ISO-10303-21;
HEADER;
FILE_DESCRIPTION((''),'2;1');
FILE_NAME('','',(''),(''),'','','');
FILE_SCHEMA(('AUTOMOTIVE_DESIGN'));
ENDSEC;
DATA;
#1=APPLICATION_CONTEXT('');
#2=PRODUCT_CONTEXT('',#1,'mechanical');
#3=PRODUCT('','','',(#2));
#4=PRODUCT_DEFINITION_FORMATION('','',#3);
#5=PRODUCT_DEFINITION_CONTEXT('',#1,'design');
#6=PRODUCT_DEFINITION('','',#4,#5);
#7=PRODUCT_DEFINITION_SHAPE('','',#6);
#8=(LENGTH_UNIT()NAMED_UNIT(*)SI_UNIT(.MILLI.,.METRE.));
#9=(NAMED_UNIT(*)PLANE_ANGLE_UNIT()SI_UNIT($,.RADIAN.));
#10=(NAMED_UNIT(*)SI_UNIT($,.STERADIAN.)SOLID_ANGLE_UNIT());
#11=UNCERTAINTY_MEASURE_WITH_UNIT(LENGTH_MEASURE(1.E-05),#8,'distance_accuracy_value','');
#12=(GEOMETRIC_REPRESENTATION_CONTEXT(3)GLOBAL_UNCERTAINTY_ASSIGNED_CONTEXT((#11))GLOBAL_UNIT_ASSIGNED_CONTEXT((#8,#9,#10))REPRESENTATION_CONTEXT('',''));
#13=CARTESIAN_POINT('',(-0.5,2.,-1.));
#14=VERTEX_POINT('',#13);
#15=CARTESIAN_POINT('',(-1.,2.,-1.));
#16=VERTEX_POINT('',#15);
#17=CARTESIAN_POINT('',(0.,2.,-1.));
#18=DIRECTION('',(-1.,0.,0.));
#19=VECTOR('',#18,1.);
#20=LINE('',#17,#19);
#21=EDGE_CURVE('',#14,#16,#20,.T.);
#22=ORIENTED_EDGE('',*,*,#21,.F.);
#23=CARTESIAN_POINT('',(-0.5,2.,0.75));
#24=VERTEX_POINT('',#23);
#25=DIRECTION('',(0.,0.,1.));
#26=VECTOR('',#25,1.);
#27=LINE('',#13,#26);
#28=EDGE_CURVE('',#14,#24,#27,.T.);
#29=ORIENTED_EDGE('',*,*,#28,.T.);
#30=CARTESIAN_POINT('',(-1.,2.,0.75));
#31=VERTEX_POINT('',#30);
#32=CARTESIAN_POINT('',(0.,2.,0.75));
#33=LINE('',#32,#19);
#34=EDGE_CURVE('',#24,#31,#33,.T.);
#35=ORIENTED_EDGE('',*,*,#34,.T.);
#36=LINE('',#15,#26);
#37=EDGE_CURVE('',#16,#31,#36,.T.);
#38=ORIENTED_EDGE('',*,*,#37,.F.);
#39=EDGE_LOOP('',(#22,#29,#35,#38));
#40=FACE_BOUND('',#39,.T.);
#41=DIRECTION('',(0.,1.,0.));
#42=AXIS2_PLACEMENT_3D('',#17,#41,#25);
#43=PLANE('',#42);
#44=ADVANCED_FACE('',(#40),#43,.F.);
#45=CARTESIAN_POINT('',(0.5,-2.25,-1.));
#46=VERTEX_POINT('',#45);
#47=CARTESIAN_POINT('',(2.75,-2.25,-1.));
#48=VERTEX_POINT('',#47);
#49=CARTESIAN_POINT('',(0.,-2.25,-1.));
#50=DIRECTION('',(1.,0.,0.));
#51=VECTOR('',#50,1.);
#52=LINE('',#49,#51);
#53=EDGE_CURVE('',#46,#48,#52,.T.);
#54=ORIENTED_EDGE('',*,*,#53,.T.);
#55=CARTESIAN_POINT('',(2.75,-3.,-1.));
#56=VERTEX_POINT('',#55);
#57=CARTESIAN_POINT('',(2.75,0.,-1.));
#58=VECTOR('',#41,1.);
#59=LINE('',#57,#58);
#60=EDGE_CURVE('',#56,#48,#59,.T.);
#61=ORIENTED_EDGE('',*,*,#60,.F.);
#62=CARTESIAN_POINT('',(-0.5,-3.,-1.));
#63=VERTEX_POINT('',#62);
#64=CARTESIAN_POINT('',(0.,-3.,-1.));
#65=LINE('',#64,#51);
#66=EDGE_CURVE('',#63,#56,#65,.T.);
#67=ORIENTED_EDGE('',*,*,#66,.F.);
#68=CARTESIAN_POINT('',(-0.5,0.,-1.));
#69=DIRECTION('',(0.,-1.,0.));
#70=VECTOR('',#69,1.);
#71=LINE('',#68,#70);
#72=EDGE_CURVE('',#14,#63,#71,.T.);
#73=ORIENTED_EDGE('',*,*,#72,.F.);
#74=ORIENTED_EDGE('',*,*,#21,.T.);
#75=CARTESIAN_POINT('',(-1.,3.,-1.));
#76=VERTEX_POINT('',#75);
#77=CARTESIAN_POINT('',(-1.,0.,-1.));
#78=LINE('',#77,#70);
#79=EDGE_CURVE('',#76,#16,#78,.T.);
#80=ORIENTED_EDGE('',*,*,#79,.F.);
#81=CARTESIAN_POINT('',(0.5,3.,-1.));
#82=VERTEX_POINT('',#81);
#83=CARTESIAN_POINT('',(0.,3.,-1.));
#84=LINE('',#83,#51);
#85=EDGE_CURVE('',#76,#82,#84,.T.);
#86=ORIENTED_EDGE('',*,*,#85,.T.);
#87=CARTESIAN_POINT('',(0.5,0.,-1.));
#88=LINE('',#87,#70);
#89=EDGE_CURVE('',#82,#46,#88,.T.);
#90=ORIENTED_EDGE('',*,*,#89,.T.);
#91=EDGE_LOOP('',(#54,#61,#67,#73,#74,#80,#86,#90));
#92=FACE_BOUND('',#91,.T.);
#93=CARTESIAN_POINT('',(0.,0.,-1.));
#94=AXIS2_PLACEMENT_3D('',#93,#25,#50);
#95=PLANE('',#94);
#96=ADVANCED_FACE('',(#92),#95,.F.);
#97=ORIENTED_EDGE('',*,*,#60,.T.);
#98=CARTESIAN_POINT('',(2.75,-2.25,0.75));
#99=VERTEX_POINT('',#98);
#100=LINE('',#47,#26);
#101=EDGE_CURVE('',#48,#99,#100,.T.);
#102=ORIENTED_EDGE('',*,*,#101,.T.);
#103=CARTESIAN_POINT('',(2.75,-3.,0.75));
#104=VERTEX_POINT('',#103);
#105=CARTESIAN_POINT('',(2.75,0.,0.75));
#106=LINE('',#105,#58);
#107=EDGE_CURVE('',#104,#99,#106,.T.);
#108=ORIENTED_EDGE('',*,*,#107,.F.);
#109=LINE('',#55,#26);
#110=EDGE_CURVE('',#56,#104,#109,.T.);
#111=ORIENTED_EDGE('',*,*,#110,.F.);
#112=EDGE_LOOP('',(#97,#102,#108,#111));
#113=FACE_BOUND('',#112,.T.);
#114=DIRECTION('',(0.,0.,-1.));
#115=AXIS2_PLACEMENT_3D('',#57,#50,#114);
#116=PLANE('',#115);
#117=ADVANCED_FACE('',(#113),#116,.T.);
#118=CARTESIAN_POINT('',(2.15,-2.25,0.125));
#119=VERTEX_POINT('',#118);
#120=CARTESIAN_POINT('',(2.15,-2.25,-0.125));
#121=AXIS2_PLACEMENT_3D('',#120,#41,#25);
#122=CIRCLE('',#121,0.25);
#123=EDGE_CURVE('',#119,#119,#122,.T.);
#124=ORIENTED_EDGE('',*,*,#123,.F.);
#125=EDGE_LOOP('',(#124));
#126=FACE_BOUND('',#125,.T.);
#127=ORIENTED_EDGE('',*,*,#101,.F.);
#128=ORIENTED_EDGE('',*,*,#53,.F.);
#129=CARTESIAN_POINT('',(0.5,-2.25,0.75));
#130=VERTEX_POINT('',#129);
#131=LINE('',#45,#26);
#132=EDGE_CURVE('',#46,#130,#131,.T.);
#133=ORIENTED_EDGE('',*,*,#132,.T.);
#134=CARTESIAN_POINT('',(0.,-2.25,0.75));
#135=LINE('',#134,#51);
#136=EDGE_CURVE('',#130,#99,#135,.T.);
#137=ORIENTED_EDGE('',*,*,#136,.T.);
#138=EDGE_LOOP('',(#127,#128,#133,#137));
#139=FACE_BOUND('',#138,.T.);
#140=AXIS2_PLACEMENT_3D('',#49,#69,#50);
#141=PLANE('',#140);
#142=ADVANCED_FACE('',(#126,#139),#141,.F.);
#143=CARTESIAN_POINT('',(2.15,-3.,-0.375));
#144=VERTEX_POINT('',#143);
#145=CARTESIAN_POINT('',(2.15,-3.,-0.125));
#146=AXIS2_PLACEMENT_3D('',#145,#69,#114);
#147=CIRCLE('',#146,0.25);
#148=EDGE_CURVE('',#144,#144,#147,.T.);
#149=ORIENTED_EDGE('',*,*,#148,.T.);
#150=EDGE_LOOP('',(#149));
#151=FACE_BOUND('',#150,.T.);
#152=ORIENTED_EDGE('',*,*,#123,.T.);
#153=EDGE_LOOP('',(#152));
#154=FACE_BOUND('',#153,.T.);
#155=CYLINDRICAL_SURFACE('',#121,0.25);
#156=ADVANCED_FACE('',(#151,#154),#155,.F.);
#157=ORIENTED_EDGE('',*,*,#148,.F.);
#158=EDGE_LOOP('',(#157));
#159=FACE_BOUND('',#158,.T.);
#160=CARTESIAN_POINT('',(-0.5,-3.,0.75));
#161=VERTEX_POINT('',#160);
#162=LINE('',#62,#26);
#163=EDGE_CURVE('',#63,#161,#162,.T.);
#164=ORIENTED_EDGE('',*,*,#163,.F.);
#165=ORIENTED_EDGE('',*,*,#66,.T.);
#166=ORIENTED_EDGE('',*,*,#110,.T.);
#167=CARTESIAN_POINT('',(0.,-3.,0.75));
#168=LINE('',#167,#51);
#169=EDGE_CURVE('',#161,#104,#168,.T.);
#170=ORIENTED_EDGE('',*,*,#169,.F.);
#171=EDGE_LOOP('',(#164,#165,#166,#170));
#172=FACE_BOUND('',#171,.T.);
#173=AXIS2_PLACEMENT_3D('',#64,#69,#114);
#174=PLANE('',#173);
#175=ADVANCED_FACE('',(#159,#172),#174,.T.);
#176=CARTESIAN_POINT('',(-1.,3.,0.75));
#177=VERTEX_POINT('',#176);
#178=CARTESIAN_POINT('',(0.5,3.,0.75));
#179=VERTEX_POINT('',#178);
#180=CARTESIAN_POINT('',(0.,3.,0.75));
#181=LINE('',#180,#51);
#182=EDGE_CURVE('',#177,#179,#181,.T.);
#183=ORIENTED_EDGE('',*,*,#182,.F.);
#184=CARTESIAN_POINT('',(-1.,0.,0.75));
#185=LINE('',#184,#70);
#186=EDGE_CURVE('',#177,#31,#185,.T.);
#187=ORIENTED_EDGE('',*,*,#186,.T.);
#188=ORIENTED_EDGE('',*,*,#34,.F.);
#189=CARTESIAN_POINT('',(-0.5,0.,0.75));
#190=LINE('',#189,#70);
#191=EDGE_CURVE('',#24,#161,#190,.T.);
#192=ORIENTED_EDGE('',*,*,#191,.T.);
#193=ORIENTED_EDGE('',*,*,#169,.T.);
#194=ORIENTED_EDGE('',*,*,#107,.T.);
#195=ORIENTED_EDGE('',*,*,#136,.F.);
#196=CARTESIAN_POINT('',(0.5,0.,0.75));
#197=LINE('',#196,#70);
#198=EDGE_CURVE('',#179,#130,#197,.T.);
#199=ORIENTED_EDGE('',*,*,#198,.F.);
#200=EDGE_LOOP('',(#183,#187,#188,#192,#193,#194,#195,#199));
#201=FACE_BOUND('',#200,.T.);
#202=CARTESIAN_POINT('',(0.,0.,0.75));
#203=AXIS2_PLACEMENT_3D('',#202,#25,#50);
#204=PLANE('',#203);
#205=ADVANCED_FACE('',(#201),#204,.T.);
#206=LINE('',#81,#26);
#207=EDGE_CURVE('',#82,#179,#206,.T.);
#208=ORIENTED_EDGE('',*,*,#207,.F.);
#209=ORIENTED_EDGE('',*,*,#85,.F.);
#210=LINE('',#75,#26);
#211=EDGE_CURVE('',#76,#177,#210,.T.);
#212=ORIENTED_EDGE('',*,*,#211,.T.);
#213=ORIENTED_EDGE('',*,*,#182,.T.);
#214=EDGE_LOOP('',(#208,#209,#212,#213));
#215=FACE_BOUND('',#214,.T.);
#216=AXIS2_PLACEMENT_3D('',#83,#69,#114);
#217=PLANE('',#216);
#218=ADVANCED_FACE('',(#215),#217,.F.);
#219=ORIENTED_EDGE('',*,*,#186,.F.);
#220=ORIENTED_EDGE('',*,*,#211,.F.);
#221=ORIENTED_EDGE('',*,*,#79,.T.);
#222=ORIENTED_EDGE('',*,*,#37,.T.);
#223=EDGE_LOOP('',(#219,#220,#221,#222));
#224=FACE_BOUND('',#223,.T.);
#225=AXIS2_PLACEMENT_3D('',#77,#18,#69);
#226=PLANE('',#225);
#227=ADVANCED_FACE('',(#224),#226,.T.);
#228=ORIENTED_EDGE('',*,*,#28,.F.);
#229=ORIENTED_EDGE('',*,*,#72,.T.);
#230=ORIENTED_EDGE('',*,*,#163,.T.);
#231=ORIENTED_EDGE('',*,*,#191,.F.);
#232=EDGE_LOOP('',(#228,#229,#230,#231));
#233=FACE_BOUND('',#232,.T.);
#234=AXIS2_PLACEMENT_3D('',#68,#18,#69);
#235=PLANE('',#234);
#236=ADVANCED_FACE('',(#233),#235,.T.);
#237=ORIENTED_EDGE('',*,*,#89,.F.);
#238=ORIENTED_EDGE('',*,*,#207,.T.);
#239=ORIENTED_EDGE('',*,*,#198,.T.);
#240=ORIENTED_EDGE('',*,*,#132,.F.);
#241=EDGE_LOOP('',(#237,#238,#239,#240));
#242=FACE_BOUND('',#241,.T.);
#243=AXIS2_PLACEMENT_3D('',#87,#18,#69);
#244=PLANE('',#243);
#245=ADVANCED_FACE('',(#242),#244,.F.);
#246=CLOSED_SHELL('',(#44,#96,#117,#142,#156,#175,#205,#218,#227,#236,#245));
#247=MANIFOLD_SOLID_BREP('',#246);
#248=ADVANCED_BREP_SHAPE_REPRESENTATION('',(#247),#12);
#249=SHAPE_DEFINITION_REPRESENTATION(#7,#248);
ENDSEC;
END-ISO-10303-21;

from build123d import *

# Parameters (mm, degrees)
SKETCH1_W                      = 0.5
SKETCH1_H                      = 1
SKETCH1_W_2                    = 2.25
SKETCH1_H_2                    = 0.75
BOSS_EXTRUDE1_DEPTH            = 0.75
BOSS_EXTRUDE1_DEPTH_BACK       = 1
F_0_5_0_5_DIAMETER_HOLE1_D     = 0.5
F_0_5_0_5_DIAMETER_HOLE1_DEPTH = 0.75


with BuildPart() as part:
    # Sketch1 → Boss-Extrude1 (new body, two sides)
    with BuildSketch(Plane.XY) as boss_extrude1_sk:
        Polygon((0.5, 3), (-0.5, 3), (-0.5, 2), (-0.5, -3), (0.5, -3), (0.5, -2.25), align=None)
        with Locations((-0.75, 2.5)):
            Rectangle(SKETCH1_W, SKETCH1_H)
        with Locations((1.625, -2.625)):
            Rectangle(SKETCH1_W_2, SKETCH1_H_2)
    extrude(amount=BOSS_EXTRUDE1_DEPTH)
    extrude(boss_extrude1_sk.sketch, amount=-BOSS_EXTRUDE1_DEPTH_BACK)

    # Ø0.5 (0.5) Diameter Hole1
    with Locations(Plane(origin=(0, -2.25, 0), x_dir=(1, 0, 0), z_dir=(0, 1, 0))):
        with Locations((2.15, 0.125)):
            Hole(F_0_5_0_5_DIAMETER_HOLE1_D / 2, depth=F_0_5_0_5_DIAMETER_HOLE1_DEPTH)


solid = part.part
